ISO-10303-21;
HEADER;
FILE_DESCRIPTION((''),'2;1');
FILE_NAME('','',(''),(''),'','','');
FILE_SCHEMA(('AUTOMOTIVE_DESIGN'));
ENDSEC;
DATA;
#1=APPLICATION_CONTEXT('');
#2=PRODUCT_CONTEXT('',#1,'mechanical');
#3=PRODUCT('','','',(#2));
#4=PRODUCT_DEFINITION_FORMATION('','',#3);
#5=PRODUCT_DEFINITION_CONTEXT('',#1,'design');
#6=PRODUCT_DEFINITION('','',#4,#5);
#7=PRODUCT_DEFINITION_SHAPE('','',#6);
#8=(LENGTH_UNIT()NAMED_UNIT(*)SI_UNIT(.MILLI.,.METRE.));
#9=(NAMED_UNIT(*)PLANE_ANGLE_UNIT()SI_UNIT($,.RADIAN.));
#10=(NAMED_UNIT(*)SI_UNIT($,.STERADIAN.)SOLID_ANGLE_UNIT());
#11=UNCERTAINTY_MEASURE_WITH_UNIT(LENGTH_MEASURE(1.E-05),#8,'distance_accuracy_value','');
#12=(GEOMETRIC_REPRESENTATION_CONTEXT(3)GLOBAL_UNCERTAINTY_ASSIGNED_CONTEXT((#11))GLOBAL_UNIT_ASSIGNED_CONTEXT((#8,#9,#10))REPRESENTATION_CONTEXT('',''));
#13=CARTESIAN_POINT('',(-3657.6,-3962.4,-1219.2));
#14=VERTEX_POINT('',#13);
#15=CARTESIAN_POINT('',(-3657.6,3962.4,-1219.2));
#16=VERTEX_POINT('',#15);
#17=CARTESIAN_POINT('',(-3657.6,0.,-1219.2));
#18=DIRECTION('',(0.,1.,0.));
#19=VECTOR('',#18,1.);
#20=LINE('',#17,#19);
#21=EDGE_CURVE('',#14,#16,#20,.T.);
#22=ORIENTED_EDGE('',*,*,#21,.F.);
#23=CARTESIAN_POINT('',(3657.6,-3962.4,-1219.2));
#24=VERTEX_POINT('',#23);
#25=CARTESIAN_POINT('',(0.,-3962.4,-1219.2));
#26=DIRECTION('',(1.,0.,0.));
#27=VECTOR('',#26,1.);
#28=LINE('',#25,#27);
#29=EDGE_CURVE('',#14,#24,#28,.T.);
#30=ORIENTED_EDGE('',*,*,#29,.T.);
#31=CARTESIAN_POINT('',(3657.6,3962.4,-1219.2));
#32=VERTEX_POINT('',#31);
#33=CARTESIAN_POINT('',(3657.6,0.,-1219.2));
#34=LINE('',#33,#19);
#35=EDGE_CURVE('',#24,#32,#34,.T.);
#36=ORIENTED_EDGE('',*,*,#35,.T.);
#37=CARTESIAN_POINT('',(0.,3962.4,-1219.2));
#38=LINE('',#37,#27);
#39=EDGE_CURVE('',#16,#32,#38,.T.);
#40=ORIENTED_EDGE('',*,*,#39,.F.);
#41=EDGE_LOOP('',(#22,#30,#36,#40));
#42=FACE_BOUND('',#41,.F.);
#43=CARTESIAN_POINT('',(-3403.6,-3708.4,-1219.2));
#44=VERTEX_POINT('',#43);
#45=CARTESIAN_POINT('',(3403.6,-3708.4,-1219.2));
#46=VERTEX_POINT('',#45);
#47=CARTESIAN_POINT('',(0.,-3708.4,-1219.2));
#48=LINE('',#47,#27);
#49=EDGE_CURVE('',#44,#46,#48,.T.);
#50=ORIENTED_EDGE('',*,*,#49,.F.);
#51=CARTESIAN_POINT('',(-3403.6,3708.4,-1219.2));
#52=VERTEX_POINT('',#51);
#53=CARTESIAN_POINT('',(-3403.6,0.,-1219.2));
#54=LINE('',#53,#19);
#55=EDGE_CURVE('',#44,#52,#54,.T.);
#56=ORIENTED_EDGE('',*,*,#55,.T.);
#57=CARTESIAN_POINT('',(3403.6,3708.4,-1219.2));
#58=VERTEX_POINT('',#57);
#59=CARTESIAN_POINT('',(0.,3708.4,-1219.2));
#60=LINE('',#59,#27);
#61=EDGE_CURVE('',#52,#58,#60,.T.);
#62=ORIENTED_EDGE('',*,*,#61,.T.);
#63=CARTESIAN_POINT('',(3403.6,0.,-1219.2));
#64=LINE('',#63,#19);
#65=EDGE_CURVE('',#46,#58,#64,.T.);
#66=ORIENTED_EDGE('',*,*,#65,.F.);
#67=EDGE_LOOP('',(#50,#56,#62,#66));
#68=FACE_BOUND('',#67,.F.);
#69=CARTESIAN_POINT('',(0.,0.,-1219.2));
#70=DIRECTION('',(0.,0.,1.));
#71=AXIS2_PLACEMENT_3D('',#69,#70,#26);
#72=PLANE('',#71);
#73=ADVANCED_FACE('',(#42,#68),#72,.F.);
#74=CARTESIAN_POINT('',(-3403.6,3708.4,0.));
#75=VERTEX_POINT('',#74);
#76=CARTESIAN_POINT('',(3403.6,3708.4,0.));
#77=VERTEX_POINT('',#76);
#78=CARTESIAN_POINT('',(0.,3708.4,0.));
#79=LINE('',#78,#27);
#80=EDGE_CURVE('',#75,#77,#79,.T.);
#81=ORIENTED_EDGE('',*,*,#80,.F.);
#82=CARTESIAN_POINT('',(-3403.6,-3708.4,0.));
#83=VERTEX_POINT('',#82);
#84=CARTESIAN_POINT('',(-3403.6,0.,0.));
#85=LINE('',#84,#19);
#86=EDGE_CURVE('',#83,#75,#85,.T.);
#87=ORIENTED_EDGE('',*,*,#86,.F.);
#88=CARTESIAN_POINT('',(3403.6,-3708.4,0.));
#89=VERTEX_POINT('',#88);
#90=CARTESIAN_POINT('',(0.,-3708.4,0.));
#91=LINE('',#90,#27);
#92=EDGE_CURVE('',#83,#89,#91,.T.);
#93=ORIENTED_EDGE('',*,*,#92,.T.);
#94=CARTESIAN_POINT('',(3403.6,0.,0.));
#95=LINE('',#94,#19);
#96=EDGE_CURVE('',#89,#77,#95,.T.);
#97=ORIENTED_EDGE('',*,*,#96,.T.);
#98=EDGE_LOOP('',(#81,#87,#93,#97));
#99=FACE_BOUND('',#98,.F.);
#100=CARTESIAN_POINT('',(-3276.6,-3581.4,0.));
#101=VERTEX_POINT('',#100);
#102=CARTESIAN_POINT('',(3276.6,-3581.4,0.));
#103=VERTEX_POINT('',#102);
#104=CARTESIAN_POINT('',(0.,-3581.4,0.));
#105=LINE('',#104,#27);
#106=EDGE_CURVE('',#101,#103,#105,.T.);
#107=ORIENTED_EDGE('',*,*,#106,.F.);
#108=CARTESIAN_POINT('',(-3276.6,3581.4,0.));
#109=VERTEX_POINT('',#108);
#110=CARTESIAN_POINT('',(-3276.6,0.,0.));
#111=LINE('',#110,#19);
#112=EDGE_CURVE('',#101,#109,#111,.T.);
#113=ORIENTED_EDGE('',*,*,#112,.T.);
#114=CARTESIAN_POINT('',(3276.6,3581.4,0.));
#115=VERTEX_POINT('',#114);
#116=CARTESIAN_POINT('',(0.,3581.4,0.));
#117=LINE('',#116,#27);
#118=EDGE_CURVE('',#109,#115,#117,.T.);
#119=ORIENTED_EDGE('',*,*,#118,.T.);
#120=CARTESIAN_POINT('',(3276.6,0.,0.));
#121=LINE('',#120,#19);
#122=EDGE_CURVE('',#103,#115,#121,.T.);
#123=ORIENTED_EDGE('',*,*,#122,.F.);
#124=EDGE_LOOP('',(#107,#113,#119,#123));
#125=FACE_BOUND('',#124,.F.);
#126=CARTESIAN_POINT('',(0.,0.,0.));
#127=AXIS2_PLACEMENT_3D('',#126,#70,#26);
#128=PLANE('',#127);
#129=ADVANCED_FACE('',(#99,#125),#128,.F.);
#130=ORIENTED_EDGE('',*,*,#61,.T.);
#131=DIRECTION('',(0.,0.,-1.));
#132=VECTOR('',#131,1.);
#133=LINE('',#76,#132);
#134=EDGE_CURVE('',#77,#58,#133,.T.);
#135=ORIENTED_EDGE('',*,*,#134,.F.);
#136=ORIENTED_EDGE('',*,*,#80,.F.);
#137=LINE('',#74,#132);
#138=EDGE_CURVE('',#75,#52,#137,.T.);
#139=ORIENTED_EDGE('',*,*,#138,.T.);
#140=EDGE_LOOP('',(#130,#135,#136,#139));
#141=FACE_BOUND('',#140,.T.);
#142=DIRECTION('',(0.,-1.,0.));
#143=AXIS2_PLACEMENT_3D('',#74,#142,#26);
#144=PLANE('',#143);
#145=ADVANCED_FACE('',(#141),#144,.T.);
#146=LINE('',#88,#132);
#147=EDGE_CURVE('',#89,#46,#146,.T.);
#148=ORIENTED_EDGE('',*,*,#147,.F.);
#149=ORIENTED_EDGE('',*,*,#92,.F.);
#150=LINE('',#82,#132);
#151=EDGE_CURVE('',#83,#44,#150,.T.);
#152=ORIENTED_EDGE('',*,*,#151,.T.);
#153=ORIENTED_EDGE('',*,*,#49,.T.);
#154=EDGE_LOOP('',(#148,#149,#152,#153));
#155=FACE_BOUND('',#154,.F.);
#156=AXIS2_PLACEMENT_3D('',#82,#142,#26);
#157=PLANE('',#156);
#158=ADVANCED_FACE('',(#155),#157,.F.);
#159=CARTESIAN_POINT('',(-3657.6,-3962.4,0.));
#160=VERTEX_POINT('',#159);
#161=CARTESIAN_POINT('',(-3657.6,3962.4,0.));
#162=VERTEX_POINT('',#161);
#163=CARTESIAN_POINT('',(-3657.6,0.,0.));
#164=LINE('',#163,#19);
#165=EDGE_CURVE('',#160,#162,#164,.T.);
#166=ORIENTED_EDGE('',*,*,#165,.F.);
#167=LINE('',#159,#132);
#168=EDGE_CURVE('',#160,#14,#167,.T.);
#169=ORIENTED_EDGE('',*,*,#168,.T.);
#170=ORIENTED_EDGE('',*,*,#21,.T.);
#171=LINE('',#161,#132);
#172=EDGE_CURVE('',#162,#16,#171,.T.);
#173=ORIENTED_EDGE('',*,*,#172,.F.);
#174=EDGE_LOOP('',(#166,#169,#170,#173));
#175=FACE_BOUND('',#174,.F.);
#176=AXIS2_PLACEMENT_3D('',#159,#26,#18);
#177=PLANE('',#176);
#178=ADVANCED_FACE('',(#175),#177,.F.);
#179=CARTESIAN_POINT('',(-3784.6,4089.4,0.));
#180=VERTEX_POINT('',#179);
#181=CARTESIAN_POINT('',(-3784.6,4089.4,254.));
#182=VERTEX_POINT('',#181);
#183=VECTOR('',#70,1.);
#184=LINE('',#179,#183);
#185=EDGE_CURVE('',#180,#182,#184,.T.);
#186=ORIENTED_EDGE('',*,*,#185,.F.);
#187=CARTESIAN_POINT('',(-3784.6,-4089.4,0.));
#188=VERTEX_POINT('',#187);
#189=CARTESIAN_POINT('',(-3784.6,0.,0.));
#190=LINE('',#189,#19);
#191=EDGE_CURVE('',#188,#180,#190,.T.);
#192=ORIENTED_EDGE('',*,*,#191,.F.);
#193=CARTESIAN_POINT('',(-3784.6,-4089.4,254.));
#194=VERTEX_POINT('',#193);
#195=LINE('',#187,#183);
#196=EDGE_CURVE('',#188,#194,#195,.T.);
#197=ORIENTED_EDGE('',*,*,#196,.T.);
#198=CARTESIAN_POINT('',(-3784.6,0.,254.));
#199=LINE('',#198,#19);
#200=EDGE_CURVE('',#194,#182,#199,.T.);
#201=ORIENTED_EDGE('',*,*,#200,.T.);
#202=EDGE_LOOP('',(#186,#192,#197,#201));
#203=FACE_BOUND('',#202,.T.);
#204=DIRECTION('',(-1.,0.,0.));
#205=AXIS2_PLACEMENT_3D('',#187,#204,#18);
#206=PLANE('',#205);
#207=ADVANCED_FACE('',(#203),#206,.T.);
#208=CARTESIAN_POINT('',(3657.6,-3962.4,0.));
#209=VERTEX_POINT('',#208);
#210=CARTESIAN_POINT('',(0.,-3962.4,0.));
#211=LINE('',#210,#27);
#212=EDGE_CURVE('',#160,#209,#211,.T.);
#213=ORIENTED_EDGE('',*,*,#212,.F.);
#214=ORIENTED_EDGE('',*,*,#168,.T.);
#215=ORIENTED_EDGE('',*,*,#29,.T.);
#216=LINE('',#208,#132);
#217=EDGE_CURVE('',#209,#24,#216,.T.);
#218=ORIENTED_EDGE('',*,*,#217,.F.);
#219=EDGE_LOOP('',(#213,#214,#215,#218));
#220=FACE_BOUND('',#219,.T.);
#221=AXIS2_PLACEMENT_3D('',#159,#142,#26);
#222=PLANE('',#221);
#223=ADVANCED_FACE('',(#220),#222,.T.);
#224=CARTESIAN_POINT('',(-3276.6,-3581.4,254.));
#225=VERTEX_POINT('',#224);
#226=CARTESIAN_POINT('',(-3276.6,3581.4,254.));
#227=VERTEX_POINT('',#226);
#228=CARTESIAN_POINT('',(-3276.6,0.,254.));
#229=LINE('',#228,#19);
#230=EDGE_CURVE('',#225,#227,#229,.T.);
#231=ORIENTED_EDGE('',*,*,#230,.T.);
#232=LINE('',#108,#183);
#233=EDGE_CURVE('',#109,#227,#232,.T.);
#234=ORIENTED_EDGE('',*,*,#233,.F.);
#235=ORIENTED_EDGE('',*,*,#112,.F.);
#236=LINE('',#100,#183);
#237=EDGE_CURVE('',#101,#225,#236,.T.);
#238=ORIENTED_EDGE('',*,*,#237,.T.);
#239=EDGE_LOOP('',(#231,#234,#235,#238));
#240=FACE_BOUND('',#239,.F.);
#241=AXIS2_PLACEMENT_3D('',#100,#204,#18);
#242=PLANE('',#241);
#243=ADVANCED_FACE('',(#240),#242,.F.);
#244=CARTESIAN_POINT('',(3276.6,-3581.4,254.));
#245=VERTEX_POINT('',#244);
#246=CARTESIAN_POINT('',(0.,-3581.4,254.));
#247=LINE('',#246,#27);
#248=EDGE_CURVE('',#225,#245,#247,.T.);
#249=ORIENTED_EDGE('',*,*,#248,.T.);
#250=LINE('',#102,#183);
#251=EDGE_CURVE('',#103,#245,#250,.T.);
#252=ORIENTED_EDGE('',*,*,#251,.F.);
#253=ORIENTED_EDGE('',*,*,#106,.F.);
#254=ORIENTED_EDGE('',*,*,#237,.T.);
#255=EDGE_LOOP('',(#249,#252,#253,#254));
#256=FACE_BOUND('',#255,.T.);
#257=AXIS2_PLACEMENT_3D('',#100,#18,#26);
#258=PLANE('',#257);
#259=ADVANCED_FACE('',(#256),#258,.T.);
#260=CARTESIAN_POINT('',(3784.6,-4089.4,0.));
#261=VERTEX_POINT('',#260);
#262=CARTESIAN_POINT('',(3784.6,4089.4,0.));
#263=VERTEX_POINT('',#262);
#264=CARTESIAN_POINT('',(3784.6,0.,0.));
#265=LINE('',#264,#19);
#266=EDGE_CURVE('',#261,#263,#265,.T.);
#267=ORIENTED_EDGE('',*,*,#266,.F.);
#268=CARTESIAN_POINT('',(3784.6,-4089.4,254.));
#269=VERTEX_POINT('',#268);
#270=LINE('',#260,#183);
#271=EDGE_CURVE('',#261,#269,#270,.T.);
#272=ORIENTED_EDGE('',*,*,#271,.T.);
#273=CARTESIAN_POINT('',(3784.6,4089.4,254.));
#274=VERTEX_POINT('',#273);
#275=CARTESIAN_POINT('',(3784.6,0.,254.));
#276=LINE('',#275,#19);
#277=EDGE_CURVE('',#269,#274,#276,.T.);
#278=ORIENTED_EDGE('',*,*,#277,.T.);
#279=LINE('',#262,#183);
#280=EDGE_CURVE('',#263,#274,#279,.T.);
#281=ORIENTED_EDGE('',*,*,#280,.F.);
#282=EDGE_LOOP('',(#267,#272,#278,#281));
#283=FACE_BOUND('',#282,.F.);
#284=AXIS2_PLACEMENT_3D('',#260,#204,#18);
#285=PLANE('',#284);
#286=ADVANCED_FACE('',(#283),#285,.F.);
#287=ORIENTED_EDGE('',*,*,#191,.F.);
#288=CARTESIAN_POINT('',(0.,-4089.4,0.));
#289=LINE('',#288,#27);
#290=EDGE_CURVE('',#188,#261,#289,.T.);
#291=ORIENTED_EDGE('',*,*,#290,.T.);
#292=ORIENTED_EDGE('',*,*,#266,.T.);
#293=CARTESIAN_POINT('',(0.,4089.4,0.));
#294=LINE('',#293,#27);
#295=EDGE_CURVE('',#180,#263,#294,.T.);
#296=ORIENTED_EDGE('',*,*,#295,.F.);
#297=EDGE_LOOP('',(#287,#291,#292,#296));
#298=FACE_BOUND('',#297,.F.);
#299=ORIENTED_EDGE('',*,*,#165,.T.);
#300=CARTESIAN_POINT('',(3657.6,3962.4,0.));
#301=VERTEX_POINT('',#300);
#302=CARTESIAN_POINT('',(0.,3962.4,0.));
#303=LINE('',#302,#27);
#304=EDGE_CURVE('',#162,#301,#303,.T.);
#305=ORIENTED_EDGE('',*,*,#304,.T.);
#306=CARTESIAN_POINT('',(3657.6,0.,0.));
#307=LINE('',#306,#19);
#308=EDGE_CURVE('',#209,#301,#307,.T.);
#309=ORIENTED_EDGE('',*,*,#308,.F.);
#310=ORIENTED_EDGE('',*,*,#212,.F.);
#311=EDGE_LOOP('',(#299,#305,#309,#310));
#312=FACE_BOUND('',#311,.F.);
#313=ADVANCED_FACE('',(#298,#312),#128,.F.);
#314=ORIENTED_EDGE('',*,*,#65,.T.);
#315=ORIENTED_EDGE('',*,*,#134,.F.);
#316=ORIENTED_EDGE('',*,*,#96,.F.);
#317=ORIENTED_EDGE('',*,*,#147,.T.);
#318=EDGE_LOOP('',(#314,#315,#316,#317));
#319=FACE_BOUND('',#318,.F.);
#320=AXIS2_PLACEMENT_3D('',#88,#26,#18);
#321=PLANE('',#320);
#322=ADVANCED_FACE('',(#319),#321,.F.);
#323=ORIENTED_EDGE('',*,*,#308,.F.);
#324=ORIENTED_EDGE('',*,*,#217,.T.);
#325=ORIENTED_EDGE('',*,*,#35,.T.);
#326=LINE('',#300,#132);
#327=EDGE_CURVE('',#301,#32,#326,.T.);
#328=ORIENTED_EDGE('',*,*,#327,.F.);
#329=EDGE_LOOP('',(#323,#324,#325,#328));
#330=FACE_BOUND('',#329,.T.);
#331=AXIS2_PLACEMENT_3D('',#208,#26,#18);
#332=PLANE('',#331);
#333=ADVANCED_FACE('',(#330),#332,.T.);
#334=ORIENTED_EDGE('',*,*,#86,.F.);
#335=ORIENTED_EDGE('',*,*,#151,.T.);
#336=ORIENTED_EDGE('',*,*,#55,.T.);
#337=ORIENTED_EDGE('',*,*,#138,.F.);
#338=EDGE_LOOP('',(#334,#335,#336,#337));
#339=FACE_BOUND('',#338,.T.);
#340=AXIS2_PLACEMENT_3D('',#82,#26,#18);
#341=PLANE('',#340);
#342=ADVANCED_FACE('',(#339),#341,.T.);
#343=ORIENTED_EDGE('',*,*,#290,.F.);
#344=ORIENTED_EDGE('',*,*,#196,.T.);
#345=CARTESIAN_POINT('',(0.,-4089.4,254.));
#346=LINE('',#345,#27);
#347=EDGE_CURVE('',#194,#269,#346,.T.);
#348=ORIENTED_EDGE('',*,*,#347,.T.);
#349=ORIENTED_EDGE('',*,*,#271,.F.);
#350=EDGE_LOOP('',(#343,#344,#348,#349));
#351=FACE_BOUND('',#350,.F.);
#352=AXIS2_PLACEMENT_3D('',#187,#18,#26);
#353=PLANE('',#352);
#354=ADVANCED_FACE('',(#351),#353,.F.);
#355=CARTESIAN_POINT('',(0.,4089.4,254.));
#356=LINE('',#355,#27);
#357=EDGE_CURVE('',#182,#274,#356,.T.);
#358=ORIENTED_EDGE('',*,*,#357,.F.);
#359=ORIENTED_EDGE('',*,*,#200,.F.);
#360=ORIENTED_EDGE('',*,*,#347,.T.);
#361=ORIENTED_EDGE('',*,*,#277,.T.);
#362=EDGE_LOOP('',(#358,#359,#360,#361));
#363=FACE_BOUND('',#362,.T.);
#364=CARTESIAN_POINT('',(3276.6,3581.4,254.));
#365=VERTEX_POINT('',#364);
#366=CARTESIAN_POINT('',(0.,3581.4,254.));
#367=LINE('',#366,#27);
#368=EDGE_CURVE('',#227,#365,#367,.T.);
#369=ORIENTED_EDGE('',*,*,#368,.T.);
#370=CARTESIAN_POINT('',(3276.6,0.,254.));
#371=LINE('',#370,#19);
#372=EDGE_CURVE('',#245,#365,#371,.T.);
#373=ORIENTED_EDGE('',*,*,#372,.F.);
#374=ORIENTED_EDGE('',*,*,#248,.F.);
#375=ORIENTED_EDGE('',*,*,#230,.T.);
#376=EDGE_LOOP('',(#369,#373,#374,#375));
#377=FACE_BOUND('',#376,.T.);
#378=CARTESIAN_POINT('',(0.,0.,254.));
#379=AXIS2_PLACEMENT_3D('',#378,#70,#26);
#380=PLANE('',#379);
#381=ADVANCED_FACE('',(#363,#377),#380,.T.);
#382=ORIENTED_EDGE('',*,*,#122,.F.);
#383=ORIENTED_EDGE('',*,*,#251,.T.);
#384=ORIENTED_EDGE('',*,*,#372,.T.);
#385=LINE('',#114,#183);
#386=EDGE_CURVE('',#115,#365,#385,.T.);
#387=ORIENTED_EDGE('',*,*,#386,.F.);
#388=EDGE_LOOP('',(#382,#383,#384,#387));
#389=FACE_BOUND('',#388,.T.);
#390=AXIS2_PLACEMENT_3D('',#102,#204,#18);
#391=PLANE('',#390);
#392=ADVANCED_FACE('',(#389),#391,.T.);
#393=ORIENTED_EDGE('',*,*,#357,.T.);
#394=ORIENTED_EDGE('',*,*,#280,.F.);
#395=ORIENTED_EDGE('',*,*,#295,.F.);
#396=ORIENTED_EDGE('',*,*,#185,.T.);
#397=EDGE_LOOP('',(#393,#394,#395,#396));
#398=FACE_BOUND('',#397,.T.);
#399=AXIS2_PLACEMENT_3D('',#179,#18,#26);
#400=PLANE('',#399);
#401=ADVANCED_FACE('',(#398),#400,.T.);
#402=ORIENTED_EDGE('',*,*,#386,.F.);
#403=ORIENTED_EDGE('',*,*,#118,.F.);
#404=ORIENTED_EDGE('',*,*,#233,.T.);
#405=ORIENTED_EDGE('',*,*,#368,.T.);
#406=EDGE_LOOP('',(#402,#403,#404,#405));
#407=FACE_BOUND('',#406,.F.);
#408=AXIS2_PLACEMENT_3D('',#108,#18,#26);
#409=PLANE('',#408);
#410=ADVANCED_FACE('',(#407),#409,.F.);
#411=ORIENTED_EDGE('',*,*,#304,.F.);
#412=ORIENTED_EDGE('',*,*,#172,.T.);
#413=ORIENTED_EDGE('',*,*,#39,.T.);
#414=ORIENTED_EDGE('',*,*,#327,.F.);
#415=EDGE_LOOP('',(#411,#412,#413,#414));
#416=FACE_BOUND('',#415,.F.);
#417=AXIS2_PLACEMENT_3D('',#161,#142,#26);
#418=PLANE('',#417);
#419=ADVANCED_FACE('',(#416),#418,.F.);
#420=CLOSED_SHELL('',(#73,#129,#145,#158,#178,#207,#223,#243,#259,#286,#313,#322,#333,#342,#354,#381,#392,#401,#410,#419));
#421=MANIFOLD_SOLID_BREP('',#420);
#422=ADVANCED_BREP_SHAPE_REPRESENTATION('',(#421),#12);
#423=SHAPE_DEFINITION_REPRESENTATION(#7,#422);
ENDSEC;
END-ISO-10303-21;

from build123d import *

# Parameters (mm, degrees)
F1_W     = 7315.2
F1_H     = 7924.8
F1_W_2   = 6807.2
F1_H_2   = 7416.8
F2_DEPTH = 1219.2
F3_W     = 7569.2
F3_H     = 8178.8
F3_W_2   = 6553.2
F3_H_2   = 7162.8
F4_DEPTH = 254


with BuildPart() as f2:
    # F1 (on face) → F2 (new body)
    with BuildSketch(Plane.XY):
        Rectangle(F1_W, F1_H)
        Rectangle(F1_W_2, F1_H_2, mode=Mode.SUBTRACT)
    extrude(amount=-F2_DEPTH)

    # F3 (on Top) → F4 (join)
    with BuildSketch(Plane.XY):
        Rectangle(F3_W, F3_H)
        Rectangle(F3_W_2, F3_H_2, mode=Mode.SUBTRACT)
    extrude(amount=F4_DEPTH)


solid = f2.part
